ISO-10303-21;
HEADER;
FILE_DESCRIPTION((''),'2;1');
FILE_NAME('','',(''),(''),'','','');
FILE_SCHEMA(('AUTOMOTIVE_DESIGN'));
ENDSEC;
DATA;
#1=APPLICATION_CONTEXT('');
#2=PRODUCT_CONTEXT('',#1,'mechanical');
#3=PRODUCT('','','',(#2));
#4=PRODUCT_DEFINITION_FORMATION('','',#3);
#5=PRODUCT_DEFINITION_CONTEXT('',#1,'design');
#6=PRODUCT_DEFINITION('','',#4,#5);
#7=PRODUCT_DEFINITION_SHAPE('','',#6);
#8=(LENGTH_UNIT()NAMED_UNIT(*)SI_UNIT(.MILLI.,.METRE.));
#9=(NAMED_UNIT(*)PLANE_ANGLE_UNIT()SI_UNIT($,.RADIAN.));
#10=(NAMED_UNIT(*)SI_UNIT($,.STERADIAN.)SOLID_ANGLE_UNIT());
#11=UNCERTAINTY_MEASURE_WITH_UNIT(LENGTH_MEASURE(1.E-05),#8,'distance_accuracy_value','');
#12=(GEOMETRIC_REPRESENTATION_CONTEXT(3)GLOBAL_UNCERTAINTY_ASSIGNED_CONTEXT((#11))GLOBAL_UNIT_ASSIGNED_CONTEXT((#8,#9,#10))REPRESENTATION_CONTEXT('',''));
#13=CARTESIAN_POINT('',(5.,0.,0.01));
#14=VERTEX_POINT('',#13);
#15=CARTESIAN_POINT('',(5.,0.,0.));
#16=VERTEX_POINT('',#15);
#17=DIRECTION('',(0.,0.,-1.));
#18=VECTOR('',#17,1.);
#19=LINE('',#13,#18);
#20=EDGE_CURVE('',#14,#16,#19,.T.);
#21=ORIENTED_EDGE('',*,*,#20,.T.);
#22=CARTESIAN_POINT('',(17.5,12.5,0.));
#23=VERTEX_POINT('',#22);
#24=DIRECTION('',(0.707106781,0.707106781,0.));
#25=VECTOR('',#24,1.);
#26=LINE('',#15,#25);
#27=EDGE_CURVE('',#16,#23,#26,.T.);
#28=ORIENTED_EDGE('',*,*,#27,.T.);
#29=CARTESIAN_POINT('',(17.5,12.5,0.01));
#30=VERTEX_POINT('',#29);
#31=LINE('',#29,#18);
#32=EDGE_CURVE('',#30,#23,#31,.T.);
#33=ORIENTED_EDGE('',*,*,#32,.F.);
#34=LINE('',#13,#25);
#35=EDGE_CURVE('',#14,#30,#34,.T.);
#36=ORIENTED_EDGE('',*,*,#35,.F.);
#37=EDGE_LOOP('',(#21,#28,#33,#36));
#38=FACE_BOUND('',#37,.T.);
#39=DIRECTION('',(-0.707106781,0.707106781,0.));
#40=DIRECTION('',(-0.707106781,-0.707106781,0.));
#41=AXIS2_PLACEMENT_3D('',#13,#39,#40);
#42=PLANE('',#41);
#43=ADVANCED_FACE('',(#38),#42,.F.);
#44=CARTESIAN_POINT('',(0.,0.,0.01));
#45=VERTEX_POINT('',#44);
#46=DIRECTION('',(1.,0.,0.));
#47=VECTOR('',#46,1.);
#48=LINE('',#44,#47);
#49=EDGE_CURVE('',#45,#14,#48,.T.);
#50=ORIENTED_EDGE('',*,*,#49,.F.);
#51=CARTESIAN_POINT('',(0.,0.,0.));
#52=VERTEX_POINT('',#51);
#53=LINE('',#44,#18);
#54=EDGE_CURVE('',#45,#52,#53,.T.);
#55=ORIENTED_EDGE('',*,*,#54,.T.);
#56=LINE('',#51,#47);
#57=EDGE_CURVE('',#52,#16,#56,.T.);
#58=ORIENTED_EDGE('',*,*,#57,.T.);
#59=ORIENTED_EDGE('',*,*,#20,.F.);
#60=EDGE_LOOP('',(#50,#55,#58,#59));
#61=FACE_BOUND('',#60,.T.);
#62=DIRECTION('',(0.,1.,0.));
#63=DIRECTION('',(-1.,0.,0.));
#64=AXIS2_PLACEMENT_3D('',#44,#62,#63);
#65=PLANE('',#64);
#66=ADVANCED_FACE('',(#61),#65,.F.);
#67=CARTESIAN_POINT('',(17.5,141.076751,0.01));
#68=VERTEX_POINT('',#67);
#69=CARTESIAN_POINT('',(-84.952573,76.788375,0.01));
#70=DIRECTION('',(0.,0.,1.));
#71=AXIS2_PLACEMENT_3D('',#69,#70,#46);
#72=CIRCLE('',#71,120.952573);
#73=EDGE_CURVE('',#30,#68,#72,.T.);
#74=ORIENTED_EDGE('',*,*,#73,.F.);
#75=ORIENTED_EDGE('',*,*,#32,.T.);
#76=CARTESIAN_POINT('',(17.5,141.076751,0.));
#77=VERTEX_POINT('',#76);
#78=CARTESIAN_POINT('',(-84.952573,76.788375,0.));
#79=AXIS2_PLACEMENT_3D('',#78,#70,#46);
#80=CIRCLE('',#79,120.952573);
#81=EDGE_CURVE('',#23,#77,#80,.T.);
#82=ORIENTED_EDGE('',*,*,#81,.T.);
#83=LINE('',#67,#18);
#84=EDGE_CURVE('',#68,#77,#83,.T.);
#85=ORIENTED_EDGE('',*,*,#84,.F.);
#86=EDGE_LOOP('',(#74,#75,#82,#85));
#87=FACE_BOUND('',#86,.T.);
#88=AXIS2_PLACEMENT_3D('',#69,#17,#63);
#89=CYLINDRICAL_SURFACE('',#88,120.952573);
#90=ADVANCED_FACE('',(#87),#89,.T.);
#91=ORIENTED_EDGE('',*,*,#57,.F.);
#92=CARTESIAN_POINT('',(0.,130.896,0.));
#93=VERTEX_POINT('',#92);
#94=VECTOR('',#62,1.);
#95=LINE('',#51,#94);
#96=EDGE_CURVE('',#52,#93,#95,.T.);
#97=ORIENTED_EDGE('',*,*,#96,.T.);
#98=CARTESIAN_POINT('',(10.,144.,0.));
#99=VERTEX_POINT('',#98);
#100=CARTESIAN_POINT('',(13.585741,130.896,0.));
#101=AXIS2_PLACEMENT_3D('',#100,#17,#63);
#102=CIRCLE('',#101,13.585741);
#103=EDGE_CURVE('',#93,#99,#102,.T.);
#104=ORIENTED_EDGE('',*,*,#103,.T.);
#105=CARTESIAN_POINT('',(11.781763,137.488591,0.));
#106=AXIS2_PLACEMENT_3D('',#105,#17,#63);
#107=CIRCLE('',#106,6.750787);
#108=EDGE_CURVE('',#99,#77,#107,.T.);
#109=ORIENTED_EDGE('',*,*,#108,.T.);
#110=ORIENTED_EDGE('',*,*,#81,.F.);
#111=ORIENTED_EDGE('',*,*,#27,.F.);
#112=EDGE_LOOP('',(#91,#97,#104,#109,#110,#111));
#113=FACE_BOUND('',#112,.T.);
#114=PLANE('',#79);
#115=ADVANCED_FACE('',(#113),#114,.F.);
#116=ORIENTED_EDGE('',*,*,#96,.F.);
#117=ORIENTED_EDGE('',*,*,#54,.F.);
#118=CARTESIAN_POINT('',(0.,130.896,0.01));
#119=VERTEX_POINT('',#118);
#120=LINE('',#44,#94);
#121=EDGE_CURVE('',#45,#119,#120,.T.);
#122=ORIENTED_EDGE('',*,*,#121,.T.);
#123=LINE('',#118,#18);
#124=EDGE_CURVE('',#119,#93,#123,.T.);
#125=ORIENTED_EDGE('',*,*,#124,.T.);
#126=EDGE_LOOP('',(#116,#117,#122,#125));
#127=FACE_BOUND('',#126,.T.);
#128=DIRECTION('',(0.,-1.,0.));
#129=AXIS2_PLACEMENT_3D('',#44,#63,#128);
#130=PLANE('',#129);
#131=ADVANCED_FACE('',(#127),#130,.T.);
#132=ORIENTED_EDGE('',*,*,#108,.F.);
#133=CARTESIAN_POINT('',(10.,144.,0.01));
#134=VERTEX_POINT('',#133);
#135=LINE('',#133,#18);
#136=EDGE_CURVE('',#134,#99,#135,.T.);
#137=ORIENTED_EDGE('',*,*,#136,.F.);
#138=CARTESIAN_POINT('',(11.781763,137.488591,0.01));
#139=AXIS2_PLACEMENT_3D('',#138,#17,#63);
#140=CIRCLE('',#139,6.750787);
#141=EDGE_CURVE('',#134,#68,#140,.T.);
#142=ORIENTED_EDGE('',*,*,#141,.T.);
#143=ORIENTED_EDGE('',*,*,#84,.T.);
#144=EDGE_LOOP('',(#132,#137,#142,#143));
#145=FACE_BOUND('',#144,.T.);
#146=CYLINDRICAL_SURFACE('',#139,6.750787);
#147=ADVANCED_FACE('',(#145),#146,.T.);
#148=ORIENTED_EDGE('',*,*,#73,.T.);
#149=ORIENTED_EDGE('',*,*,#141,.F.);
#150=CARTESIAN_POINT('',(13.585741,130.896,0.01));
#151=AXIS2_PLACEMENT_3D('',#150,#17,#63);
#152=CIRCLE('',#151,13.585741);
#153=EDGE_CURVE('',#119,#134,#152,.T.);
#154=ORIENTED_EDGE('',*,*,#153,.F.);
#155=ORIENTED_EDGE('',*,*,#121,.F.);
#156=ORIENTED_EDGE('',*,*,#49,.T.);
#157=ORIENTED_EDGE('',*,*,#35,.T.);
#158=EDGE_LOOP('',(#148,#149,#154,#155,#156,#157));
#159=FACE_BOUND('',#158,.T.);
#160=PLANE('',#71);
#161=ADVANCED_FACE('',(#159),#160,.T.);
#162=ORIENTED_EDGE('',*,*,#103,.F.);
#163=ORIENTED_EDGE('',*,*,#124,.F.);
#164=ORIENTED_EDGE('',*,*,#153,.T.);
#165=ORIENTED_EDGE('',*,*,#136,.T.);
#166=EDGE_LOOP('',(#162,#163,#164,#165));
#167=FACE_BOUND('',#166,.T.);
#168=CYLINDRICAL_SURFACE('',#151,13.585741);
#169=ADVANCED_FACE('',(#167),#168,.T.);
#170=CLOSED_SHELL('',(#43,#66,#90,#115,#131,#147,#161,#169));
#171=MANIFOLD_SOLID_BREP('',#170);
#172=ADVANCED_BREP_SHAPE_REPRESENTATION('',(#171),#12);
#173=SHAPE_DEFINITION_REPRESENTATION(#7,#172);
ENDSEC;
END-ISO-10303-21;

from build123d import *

# Parameters (mm, degrees)
BOSS_EXTRUDE1_DEPTH = 0.01


with BuildPart() as part:
    # Sketch1 → Boss-Extrude1 (new body)
    with BuildSketch(Plane(origin=(0, 0, 0), x_dir=(0, 1, 0), z_dir=(0, 0, 1))):
        with BuildLine():
            Line((0, 0), (130.896, 0))
            ThreePointArc((130.896, 0), (139.137887163, -2.785571862), (144, -10))
            ThreePointArc((144, -10), (143.778489537, -14.233355018), (141.07675081, -17.5))
            ThreePointArc((141.07675081, -17.5), (76.788375405, -36), (12.5, -17.5))
            Line((12.5, -17.5), (0, -5))
            Line((0, -5), (0, 0))
        make_face()
    extrude(amount=BOSS_EXTRUDE1_DEPTH)


solid = part.part
